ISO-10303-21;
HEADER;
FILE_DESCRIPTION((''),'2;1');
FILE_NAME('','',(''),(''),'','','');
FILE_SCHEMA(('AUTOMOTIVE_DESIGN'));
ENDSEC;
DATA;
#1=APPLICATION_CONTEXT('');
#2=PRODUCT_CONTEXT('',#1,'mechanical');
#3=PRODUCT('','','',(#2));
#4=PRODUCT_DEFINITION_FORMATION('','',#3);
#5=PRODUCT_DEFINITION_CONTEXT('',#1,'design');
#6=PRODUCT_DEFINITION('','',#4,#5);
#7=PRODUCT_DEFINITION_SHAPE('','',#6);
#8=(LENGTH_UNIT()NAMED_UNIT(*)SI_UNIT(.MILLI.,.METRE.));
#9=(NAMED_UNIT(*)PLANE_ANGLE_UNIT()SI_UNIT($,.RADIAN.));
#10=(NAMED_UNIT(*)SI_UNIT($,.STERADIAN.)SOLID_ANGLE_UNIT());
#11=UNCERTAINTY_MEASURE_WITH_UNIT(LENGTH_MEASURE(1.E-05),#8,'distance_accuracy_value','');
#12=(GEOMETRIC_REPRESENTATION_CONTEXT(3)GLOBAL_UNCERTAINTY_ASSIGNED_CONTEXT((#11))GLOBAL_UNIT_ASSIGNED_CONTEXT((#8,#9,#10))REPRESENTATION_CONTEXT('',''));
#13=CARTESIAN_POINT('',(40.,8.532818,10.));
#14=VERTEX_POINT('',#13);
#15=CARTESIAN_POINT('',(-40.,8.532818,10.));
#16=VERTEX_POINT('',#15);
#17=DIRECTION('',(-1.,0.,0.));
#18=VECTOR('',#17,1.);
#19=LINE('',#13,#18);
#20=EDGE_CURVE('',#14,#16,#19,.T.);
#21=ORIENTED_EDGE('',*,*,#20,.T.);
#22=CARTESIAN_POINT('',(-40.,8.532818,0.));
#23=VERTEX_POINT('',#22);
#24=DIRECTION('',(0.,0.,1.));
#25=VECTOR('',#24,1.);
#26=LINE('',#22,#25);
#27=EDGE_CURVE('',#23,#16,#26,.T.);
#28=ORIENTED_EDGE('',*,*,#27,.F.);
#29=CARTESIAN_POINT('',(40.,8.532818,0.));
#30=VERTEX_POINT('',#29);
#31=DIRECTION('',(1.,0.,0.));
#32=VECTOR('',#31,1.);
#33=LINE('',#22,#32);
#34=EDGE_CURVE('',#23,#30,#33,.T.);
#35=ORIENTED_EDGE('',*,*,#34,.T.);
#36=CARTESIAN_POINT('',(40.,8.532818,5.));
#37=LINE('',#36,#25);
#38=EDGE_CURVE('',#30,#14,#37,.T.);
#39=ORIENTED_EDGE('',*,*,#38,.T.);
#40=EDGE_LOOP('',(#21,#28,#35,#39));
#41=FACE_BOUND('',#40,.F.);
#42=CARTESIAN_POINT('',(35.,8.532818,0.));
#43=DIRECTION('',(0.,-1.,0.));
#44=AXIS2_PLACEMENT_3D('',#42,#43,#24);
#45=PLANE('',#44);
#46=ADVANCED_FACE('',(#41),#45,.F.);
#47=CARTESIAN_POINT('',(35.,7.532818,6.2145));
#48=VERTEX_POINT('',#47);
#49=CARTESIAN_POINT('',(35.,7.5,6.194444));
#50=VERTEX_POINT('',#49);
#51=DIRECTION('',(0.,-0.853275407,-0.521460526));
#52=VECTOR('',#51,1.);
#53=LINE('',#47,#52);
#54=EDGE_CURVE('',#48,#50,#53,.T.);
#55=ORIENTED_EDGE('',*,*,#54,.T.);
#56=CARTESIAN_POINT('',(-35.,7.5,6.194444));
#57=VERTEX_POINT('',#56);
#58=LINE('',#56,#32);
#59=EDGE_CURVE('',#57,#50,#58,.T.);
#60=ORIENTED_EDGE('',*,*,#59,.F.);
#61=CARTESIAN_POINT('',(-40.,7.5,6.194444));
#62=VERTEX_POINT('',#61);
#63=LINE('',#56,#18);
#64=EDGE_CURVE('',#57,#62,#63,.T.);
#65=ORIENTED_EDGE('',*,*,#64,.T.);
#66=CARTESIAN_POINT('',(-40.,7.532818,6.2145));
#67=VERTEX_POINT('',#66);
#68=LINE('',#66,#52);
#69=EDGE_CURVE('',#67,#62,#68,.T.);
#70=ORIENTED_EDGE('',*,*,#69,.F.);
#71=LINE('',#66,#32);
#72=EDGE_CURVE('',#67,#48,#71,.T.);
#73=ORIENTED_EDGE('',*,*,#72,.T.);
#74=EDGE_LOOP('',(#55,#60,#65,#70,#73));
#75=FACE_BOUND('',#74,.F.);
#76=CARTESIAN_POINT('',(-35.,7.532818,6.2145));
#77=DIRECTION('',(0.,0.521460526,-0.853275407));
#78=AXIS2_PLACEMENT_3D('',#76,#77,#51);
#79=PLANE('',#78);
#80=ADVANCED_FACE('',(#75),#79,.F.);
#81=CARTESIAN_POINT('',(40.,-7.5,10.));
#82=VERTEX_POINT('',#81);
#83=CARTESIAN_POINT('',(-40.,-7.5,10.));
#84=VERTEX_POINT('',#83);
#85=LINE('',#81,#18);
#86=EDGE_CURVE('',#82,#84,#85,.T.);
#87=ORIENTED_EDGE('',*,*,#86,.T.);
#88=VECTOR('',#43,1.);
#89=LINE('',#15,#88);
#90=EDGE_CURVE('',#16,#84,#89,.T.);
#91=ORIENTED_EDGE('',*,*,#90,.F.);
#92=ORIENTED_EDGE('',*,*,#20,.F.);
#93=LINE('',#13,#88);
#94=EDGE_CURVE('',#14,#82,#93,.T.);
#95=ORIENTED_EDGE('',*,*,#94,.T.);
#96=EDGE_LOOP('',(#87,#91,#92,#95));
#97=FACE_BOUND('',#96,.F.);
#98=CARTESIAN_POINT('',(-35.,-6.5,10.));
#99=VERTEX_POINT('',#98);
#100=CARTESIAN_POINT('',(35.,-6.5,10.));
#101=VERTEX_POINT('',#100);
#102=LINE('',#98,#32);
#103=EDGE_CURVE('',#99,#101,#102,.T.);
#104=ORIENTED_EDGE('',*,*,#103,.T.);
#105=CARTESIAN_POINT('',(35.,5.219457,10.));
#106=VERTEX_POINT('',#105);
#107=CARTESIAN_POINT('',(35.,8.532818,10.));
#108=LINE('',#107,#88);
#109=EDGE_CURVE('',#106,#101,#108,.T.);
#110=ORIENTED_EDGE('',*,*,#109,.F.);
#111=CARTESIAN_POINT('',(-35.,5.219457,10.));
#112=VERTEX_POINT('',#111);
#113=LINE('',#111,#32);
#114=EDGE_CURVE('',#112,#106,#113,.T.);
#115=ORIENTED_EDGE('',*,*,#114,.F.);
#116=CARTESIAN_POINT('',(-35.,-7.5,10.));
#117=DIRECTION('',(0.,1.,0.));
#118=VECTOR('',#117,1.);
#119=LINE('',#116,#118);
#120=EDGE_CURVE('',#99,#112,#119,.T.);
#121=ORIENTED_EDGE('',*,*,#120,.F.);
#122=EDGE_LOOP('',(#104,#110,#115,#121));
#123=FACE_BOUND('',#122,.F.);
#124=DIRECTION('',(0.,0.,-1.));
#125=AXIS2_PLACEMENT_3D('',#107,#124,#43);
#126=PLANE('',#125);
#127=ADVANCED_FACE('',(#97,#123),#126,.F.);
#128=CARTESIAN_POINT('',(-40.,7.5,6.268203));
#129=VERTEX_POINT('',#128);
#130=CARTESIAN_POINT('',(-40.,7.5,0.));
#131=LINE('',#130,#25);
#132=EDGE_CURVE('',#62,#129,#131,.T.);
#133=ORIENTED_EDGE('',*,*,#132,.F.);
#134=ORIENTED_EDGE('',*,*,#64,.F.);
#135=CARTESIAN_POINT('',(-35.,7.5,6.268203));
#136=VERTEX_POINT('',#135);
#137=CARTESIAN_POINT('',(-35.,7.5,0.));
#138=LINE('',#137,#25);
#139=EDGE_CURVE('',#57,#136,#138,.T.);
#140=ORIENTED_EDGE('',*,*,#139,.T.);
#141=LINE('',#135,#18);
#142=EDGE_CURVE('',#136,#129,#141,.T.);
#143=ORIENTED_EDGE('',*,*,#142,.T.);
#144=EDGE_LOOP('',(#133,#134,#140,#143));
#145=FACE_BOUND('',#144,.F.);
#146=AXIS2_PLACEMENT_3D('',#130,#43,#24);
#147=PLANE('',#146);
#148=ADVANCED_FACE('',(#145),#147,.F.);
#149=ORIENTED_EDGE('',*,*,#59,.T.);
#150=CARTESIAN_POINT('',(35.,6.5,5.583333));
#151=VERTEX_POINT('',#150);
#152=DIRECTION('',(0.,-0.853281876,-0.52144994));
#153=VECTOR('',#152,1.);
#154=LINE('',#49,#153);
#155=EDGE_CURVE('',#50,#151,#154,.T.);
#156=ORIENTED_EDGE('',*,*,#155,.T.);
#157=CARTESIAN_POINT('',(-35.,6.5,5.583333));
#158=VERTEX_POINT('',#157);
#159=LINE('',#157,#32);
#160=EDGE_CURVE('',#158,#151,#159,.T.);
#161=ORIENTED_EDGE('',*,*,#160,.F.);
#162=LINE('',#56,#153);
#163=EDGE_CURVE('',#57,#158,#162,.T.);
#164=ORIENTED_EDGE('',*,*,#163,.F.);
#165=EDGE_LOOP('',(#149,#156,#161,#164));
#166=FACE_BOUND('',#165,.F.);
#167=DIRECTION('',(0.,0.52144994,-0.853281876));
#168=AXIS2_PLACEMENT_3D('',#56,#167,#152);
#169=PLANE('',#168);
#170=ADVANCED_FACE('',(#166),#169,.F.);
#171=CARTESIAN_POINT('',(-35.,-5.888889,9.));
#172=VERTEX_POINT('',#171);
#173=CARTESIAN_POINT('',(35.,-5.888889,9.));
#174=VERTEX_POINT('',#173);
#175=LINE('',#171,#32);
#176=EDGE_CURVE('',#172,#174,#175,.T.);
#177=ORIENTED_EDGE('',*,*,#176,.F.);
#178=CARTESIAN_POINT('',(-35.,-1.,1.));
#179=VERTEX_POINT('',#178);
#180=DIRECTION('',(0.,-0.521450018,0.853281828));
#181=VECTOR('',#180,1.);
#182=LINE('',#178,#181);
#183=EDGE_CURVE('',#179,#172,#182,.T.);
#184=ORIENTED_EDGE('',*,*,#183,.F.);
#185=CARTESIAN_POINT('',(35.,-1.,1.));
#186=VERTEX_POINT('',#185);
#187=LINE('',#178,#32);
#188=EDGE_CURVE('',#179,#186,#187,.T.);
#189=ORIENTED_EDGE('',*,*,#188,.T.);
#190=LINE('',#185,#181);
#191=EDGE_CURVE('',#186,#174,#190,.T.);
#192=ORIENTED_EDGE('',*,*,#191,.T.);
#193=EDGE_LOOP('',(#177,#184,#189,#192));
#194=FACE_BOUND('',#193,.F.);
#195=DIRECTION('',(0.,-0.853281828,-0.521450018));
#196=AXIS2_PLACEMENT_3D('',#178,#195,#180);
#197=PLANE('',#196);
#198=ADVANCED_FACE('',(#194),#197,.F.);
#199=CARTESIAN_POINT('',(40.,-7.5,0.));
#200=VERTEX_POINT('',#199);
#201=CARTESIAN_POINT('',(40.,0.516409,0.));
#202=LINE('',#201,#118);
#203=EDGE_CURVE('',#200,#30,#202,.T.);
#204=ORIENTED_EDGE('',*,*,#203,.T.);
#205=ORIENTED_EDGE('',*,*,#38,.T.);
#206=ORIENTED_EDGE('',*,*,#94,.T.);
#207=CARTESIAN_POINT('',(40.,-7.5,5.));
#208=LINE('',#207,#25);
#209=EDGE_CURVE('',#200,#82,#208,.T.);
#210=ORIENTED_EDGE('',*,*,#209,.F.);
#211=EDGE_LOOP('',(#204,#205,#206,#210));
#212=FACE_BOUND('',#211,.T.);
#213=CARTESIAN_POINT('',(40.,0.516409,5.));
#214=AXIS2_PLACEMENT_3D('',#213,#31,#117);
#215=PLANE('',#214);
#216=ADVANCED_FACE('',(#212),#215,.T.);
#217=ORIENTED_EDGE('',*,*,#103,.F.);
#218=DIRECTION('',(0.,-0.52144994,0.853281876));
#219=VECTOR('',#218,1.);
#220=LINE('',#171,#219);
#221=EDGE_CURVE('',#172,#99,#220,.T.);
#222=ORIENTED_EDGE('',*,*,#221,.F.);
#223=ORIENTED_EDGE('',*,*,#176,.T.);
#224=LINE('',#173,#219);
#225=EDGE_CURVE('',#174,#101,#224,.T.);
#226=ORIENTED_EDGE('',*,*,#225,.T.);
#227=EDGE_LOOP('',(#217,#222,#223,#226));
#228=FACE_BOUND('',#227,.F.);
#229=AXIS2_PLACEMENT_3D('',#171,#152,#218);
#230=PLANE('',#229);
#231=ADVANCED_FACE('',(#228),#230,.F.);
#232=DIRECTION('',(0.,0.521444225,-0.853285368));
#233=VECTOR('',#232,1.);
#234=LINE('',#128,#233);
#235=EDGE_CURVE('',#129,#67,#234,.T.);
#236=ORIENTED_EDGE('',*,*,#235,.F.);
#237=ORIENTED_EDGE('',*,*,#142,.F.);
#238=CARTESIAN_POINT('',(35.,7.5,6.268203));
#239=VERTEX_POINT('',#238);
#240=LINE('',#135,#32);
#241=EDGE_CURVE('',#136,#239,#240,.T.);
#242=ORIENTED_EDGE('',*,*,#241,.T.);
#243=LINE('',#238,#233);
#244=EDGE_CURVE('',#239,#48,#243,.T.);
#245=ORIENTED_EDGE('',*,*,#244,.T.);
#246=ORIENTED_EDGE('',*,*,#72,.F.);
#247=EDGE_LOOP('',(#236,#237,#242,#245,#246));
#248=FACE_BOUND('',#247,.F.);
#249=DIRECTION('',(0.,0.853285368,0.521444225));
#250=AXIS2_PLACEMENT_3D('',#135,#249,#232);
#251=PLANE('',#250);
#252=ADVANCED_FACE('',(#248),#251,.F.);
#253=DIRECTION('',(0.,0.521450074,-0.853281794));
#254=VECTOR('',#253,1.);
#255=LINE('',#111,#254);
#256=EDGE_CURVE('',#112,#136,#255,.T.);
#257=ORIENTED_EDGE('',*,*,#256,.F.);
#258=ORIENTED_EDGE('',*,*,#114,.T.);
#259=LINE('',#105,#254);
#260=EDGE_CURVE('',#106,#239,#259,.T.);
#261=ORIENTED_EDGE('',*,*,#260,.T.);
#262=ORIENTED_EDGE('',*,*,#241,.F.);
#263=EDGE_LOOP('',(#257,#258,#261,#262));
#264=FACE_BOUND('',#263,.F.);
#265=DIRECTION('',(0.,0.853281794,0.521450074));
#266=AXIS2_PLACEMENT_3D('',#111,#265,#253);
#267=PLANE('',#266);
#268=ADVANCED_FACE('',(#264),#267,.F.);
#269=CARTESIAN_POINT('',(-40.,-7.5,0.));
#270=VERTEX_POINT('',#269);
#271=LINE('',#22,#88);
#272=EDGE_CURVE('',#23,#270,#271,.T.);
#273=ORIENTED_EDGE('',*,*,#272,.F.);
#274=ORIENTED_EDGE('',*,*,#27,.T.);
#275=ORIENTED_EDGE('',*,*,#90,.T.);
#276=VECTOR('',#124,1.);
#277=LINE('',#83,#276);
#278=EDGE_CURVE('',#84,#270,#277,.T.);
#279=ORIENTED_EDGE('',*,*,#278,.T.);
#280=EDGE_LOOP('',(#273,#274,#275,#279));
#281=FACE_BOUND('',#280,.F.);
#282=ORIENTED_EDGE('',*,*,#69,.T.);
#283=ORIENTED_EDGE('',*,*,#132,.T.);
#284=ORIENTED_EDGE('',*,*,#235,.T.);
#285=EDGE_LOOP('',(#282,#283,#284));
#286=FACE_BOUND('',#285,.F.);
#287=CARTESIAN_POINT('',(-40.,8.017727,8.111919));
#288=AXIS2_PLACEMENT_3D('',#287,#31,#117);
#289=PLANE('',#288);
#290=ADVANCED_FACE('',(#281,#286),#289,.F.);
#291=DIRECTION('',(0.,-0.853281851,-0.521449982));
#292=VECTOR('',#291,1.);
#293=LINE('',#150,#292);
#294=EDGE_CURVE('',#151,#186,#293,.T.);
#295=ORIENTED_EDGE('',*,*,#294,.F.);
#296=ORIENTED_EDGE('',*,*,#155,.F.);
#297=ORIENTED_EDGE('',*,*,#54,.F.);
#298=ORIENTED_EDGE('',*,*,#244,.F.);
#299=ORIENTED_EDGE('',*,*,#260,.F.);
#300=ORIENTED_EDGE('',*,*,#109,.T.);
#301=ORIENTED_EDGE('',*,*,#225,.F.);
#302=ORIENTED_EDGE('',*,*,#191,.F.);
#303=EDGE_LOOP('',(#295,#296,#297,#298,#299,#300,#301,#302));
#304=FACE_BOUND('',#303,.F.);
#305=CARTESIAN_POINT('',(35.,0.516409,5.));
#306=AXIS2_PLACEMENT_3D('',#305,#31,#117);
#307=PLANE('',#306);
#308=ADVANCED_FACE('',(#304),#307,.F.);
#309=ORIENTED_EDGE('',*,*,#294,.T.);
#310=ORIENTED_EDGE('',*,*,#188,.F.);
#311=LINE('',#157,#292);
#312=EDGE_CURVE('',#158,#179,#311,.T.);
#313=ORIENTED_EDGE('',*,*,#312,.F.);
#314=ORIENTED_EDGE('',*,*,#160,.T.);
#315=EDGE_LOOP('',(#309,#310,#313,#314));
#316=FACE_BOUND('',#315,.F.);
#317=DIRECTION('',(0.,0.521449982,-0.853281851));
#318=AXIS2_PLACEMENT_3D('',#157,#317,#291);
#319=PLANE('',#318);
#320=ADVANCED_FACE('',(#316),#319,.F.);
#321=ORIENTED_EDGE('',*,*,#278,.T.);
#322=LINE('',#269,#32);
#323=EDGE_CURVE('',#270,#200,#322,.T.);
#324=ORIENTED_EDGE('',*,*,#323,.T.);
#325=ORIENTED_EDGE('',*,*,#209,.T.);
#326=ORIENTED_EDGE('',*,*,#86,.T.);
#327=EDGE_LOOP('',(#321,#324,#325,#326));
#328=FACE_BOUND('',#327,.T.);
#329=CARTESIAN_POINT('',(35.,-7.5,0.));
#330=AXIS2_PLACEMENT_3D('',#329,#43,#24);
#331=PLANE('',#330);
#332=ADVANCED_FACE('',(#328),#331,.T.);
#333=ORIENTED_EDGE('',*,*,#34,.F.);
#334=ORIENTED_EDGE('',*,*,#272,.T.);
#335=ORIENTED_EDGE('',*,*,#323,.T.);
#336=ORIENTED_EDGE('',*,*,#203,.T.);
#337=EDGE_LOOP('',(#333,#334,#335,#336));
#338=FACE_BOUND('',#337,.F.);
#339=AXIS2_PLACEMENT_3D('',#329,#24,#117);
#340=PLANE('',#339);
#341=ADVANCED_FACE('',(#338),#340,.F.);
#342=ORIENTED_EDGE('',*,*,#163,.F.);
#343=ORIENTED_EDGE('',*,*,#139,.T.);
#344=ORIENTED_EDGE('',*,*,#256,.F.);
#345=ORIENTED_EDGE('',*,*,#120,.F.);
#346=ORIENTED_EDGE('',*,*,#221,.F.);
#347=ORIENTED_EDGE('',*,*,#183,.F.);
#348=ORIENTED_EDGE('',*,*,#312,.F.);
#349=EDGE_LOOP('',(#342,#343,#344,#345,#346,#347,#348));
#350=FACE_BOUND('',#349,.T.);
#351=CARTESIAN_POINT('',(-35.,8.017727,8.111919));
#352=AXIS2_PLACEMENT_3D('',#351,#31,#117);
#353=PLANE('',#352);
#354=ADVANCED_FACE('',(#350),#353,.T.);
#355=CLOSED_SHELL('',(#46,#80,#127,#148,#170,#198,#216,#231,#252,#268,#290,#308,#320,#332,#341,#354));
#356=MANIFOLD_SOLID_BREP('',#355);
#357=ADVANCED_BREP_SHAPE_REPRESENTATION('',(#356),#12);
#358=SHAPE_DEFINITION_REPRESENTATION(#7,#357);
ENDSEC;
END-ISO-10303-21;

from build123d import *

# Parameters (mm, degrees)
F1_DEPTH = 5
F3_DEPTH = 5
F4_DEPTH = 70
F5_W     = 16.032818
F5_H     = 10
F6_DEPTH = 5


with BuildPart() as f1:
    # F0 (on Right) → F1 (new body)
    with BuildSketch(Plane.YZ):
        Polygon((-7.5, 0), (0, 0), (7.5, 0), (7.5, 10), (-7.5, 10), align=None)
    extrude(amount=F1_DEPTH)

    # F2 (on face) → F3 (join)
    with BuildSketch(Plane.YZ.offset(5)):
        Polygon((7.532818, 6.2145), (8.532818, 6.2145), (8.532818, 10), (7.5, 10), (7.5, 6.268203), align=None)
        Polygon((7.5, 6.194444), (7.5, 0), (8.532818, 0), (8.532818, 6.2145), (7.532818, 6.2145), align=None)
    extrude(amount=-F3_DEPTH)

    # F2 (on face) → F4 (join)
    with BuildSketch(Plane.YZ.offset(5)):
        Polygon((-7.5, 0), (0, 0), (0, 1), (-1, 1), (-6.5, 1), (-6.5, 9), (-5.888889, 9), (-6.5, 10), (-7.5, 10), align=None)
        Polygon((-6.5, 1), (-1, 1), (-5.888889, 9), (-6.5, 9), align=None)
        Polygon((-1, 1), (0, 1), (6.5, 1), (6.5, 5.583333), align=None)
        Polygon((7.5, 6.194444), (7.5, 0), (8.532818, 0), (8.532818, 6.2145), (7.532818, 6.2145), align=None)
        Polygon((0, 1), (0, 0), (7.5, 0), (7.5, 6.194444), (6.5, 5.583333), (6.5, 1), align=None)
        Polygon((7.532818, 6.2145), (8.532818, 6.2145), (8.532818, 10), (7.5, 10), (7.5, 6.268203), align=None)
        Polygon((5.219457, 10), (7.5, 6.268203), (7.5, 10), align=None)
    extrude(amount=F4_DEPTH)

    # F5 (on face) → F6 (join)
    with BuildSketch(Plane.YZ.offset(75)):
        with Locations((0.516409, 5)):
            Rectangle(F5_W, F5_H)
        Polygon((-7.5, 10), (-7.5, 0), (8.532818, 0), (8.532818, 10), (-6.5, 10), align=None)
    extrude(amount=F6_DEPTH)


with BuildPart() as f1_1:
    # F7: moved
    add(f1.part.moved(Location((-40, 0, 0))))


solid = f1_1.part
